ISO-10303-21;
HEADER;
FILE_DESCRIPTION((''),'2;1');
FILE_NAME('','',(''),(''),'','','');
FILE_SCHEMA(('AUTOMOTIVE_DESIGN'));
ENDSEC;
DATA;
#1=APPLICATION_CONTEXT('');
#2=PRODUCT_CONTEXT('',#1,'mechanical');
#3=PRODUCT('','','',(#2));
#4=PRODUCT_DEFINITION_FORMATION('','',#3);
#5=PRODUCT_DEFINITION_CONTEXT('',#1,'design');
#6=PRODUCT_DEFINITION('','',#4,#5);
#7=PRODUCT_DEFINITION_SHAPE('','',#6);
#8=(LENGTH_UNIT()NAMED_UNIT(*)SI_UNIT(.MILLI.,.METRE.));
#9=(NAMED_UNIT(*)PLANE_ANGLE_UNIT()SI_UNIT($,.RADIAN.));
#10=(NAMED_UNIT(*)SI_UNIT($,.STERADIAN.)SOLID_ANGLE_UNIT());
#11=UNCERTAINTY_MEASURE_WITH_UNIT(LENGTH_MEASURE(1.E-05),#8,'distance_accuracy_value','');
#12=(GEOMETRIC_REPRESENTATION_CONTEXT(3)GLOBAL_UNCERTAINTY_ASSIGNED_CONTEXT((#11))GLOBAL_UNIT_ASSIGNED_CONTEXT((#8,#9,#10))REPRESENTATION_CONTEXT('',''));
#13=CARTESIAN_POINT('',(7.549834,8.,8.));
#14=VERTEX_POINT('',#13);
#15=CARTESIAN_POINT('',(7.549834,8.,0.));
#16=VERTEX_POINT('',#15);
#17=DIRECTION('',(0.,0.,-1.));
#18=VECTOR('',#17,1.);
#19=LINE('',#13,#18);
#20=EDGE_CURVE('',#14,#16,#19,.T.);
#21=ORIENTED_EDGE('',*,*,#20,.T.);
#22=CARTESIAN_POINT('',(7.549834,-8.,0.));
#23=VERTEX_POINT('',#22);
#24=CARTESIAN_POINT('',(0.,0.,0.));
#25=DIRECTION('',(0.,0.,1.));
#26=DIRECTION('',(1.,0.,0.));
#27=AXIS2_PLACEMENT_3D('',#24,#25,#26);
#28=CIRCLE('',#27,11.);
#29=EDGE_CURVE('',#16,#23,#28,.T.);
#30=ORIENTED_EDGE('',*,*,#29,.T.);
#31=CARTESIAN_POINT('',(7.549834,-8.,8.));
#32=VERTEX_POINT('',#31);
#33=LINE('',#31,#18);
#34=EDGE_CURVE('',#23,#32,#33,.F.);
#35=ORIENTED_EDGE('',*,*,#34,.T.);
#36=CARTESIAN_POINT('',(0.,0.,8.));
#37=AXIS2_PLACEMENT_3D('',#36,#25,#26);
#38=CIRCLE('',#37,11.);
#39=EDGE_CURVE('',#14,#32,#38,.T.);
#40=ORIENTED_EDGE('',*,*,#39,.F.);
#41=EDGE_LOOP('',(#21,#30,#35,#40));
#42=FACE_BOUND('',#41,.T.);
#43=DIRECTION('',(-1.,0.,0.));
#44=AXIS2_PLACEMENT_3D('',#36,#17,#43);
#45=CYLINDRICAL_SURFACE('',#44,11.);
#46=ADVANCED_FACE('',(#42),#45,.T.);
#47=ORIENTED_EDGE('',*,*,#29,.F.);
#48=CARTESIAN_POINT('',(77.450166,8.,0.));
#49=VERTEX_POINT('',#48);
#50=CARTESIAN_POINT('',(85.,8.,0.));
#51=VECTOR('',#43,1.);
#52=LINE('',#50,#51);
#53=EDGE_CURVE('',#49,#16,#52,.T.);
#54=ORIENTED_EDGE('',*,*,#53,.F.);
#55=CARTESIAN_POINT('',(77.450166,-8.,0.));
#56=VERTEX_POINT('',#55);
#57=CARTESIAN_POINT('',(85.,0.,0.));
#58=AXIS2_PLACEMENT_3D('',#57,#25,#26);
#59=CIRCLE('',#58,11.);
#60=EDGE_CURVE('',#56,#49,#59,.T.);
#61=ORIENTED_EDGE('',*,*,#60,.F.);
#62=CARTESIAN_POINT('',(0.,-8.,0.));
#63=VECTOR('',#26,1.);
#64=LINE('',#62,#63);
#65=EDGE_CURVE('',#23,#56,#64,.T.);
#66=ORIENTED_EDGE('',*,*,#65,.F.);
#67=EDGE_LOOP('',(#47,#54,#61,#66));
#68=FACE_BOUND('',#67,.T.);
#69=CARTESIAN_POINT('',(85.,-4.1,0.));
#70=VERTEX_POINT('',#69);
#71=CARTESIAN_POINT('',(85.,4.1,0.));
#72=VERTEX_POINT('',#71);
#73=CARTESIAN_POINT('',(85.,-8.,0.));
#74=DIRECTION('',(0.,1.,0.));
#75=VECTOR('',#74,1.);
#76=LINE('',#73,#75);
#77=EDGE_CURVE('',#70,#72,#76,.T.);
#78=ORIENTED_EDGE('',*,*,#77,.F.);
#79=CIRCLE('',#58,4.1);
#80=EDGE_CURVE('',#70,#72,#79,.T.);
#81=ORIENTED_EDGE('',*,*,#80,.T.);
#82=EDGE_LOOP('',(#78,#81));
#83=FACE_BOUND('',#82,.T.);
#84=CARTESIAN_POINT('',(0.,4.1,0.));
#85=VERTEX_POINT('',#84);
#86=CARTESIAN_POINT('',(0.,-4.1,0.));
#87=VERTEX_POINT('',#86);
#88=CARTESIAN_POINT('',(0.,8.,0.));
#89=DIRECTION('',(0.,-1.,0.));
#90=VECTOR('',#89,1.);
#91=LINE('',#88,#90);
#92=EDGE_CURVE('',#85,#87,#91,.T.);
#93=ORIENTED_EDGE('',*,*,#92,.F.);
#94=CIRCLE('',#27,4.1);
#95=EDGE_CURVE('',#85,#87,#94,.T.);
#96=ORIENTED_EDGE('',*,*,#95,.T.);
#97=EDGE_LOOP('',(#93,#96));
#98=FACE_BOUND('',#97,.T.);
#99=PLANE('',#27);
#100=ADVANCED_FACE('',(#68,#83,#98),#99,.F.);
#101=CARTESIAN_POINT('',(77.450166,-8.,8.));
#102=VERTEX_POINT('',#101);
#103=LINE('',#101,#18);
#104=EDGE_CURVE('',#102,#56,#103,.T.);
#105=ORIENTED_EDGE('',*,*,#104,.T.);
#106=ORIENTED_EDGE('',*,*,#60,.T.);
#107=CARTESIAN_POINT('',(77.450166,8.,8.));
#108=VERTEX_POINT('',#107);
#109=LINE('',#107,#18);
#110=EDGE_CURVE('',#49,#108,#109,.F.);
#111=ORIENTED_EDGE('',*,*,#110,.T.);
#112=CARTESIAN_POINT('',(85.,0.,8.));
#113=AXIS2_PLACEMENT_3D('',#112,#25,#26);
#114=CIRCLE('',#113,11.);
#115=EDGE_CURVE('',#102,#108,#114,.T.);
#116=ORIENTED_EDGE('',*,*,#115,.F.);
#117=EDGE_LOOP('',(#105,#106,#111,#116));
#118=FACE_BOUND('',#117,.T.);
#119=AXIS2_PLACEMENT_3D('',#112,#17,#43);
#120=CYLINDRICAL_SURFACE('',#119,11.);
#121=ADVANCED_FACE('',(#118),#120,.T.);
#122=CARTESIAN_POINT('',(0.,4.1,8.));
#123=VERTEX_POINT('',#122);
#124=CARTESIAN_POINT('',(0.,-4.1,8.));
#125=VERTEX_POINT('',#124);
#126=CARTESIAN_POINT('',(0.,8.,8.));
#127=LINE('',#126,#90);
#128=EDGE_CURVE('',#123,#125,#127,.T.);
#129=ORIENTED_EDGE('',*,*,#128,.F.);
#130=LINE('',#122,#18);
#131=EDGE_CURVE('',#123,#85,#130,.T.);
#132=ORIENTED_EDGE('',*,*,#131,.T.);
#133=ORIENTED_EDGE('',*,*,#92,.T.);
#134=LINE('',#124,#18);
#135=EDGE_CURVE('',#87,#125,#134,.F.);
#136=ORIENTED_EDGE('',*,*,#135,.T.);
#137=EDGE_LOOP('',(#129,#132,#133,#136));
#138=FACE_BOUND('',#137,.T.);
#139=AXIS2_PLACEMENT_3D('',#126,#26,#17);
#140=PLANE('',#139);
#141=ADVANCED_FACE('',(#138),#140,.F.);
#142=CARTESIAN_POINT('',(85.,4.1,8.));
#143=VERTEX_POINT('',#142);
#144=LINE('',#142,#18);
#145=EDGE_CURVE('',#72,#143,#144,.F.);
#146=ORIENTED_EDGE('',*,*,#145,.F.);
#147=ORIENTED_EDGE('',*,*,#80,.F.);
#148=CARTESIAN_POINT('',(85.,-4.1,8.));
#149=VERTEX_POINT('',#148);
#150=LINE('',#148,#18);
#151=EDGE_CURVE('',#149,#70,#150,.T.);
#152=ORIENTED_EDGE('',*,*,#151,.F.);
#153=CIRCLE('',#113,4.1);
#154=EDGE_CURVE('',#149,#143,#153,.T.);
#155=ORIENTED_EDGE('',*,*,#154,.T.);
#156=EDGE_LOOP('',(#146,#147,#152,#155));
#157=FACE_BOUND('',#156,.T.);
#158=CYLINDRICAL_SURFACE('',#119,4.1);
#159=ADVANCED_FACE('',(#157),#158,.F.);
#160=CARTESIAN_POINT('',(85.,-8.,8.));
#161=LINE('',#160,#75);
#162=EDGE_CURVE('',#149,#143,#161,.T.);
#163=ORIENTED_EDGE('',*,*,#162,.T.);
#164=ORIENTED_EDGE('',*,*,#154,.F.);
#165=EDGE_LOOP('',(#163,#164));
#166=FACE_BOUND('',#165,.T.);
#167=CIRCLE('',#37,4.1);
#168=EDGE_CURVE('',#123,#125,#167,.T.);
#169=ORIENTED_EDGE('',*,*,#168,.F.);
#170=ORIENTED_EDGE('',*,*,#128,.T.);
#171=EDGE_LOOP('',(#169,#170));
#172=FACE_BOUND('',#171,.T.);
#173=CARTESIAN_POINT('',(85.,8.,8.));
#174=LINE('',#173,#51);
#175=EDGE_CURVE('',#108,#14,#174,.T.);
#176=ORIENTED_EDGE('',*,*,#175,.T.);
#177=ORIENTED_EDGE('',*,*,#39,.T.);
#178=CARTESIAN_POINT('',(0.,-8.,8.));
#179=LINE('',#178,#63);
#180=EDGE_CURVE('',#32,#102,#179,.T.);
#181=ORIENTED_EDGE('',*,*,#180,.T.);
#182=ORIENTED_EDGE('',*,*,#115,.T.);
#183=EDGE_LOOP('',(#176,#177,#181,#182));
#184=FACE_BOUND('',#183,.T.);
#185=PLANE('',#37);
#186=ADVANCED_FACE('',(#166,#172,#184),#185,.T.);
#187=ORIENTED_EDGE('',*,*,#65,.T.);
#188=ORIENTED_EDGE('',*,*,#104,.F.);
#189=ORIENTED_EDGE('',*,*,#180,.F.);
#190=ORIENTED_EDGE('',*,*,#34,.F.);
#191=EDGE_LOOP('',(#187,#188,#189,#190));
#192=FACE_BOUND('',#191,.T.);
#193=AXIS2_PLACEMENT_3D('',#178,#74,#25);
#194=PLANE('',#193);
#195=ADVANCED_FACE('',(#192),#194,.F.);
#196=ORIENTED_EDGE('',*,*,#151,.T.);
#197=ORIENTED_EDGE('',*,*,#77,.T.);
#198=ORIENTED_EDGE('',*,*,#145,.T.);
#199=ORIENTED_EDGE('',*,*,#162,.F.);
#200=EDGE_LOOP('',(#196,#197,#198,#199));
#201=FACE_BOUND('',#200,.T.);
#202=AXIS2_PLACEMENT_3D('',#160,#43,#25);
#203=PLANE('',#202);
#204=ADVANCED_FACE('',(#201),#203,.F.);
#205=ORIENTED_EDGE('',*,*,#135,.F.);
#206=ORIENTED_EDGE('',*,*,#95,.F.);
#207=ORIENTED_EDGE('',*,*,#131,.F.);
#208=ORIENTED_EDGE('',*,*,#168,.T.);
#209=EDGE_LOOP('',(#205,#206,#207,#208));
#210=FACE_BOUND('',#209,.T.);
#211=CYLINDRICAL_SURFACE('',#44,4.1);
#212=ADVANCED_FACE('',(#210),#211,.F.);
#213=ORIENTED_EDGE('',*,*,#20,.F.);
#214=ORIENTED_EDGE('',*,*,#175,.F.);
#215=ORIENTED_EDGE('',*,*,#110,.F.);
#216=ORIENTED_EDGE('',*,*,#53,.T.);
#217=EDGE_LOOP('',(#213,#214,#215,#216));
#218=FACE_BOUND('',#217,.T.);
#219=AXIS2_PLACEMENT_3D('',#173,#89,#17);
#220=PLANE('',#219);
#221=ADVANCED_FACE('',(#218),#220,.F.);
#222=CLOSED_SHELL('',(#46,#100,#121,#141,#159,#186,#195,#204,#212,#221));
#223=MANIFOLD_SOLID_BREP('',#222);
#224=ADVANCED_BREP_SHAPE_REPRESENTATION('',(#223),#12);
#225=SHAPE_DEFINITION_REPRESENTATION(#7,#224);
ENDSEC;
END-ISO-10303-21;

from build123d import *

# Parameters (mm, degrees)
SKETCH_1_W      = 85
SKETCH_1_H      = 16
EXTRUDE_1_DEPTH = 8
SKETCH_2_R      = 11
SKETCH_2_R_2    = 4.1
EXTRUDE_2_DEPTH = 8
SKETCH_3_R      = 11
SKETCH_3_R_2    = 4.1
EXTRUDE_3_DEPTH = 8


with BuildPart() as part:
    # 草图1 → 凸台-拉伸1 (new body)
    with BuildSketch(Plane.XY):
        with Locations((42.5, 0)):
            Rectangle(SKETCH_1_W, SKETCH_1_H)
    extrude(amount=EXTRUDE_1_DEPTH)

    # 草图2 → 凸台-拉伸2 (add)
    with BuildSketch(Plane.XY):
        Circle(SKETCH_2_R)
        Circle(SKETCH_2_R_2, mode=Mode.SUBTRACT)
    extrude(amount=EXTRUDE_2_DEPTH)

    # 草图3 → 凸台-拉伸3 (add)
    with BuildSketch(Plane.XY):
        with Locations((85, 0)):
            Circle(SKETCH_3_R)
        with Locations((85, 0)):
            Circle(SKETCH_3_R_2, mode=Mode.SUBTRACT)
    extrude(amount=EXTRUDE_3_DEPTH)


solid = part.part
